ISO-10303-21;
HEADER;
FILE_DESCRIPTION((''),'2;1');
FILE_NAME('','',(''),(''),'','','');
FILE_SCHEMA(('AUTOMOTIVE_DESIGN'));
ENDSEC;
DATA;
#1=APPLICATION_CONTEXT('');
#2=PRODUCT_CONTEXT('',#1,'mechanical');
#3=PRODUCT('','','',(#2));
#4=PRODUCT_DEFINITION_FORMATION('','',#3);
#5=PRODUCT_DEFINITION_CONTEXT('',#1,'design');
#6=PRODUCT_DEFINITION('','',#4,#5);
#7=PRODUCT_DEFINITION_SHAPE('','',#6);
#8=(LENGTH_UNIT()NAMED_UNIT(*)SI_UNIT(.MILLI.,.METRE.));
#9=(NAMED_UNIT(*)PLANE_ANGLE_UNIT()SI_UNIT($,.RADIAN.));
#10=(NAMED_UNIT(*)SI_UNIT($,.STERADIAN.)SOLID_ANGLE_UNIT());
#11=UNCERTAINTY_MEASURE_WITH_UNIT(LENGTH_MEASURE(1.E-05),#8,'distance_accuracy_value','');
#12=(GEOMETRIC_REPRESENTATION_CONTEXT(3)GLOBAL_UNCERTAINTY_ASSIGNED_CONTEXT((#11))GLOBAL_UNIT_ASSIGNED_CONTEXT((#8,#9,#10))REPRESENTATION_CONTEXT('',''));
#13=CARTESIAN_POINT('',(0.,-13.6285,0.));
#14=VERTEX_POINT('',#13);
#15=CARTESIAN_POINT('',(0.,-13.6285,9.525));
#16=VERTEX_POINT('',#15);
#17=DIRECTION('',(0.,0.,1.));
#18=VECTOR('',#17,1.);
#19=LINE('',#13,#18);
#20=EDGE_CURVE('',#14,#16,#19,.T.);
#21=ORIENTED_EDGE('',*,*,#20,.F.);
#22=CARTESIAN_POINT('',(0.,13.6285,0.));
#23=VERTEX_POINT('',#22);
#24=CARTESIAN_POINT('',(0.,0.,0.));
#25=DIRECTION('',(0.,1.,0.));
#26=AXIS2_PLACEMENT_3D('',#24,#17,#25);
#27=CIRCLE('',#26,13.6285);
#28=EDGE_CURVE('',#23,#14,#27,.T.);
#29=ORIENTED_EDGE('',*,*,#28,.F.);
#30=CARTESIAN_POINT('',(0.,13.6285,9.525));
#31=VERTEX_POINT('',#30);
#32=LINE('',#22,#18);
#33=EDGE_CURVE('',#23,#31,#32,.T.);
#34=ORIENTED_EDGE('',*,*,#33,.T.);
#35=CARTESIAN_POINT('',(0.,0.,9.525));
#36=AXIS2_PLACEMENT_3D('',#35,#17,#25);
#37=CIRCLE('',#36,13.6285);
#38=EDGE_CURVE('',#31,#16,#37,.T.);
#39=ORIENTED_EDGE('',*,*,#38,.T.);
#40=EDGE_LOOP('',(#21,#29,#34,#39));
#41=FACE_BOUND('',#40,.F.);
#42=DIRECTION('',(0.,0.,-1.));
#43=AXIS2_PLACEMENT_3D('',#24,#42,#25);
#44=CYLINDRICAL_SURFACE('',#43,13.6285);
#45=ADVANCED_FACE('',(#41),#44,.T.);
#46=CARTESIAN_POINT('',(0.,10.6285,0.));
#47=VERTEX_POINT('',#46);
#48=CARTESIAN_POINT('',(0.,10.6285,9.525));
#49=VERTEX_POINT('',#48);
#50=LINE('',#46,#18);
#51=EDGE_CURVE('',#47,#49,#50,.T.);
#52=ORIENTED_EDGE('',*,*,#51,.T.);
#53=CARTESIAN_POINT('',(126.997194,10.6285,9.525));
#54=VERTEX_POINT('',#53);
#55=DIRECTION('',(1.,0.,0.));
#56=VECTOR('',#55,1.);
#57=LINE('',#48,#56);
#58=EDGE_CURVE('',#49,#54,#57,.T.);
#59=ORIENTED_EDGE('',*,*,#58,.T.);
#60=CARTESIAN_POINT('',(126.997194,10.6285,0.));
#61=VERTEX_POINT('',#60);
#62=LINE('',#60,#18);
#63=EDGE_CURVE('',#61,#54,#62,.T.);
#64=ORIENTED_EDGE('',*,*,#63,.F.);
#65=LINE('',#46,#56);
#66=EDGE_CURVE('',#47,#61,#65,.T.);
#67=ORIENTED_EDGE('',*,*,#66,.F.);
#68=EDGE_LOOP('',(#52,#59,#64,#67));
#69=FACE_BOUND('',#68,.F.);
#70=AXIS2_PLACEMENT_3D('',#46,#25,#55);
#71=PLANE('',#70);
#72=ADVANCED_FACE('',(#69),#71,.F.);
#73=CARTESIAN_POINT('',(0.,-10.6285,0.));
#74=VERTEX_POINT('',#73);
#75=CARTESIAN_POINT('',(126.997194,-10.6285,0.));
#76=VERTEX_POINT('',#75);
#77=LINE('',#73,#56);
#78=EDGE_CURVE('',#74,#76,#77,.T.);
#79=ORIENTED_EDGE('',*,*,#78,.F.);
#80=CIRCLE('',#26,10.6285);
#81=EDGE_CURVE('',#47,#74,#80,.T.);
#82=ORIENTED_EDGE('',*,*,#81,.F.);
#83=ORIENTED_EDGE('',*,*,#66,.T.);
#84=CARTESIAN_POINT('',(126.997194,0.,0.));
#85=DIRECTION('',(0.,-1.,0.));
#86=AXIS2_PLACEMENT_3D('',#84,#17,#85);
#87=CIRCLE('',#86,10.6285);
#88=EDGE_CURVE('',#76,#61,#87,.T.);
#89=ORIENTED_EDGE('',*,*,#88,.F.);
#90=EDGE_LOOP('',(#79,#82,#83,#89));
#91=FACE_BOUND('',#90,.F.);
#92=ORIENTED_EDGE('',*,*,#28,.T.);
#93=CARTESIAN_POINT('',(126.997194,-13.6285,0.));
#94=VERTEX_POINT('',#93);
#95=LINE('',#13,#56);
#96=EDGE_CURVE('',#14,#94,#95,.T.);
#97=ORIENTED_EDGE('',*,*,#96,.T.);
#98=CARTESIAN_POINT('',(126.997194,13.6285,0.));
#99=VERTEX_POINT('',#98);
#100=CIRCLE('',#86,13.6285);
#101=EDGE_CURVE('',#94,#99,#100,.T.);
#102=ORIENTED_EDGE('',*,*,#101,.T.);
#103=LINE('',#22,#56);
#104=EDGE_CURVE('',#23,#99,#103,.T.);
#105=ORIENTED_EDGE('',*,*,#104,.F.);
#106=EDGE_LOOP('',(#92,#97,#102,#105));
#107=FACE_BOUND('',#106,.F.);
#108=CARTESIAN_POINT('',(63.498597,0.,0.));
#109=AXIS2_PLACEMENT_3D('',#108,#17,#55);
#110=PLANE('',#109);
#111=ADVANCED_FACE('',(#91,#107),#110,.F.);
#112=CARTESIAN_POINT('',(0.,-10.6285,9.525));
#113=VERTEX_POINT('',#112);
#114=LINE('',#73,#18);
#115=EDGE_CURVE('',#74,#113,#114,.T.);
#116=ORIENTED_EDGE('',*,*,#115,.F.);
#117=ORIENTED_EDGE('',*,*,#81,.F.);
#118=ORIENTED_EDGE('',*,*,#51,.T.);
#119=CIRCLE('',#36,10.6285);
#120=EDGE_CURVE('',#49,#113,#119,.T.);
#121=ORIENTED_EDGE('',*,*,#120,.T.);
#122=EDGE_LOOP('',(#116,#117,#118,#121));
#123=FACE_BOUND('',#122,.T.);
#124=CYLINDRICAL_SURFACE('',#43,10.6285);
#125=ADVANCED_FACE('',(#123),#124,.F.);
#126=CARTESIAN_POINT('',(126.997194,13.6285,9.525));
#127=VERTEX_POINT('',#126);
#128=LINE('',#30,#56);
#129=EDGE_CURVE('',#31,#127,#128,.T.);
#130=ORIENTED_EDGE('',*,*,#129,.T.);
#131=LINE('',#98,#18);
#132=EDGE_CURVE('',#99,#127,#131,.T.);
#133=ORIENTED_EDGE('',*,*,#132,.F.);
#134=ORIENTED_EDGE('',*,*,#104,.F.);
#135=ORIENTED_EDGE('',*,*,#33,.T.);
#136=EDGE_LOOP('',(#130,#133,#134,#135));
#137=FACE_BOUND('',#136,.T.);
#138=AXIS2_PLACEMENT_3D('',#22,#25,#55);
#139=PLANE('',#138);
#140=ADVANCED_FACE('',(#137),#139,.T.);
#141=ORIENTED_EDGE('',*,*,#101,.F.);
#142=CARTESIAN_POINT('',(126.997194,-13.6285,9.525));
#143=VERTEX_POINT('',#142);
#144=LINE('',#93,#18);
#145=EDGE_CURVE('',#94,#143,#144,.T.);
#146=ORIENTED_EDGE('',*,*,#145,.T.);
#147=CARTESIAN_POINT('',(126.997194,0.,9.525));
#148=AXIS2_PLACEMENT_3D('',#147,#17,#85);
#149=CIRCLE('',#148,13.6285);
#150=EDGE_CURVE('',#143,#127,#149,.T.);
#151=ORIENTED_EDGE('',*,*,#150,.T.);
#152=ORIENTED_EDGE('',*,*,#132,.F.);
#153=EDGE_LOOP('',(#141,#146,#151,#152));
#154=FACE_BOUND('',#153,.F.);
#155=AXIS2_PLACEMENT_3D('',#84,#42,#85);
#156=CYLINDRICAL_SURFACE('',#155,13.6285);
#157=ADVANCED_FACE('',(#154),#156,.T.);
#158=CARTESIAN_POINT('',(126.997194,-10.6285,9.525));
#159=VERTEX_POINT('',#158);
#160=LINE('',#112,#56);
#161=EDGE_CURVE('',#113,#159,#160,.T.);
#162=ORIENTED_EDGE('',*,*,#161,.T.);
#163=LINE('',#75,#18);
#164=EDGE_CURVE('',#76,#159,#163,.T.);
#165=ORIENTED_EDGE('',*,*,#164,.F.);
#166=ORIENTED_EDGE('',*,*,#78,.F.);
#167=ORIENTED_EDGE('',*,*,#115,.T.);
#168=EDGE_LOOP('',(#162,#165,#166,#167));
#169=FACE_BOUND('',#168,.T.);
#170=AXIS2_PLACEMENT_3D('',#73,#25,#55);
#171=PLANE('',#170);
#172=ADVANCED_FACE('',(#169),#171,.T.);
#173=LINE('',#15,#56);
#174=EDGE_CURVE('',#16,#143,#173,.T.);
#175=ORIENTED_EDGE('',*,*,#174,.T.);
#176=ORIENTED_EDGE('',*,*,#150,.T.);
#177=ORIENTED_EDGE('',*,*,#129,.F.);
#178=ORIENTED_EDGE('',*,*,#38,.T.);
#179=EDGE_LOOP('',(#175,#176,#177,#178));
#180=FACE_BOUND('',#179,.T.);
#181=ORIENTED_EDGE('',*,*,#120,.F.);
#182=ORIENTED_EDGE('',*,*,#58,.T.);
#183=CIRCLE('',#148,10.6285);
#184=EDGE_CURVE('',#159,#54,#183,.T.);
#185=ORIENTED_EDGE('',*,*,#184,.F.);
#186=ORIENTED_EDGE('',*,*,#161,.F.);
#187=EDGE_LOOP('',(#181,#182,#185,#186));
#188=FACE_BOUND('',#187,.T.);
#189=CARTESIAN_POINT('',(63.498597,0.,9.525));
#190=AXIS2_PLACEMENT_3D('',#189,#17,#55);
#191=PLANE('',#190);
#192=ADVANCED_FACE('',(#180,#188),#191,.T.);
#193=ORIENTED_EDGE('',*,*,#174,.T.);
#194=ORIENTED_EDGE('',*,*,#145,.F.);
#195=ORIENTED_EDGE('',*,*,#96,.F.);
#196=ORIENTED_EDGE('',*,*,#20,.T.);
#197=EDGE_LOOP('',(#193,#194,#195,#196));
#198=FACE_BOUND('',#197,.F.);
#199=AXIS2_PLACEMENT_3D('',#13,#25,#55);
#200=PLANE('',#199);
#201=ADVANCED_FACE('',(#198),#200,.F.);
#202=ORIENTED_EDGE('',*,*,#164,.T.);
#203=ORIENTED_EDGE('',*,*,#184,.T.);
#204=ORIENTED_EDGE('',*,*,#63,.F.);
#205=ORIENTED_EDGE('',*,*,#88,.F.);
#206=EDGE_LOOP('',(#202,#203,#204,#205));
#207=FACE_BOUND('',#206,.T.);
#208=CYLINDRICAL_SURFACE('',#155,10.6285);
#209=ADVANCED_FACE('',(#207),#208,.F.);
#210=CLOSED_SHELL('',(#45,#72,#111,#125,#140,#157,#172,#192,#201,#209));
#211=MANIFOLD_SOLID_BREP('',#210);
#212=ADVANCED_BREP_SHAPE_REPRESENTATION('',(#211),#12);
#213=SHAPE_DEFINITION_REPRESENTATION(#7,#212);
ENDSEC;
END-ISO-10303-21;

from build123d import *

# Parameters (mm, degrees)
PAD_DEPTH = 9.525


with BuildPart() as part:
    # Sketch → Pad (new body)
    with BuildSketch(Plane.XY):
        with BuildLine():
            ThreePointArc((0, 13.6285), (-13.6285, 0), (0, -13.6285))
            Line((0, -13.6285), (126.997194, -13.6285))
            ThreePointArc((126.997194, -13.6285), (140.625694, 0), (126.997194, 13.6285))
            Line((0, 13.6285), (126.997194, 13.6285))
        make_face()
        with BuildLine():
            ThreePointArc((0, 10.6285), (-10.6285, 0), (0, -10.6285))
            Line((0, -10.6285), (126.997194, -10.6285))
            ThreePointArc((126.997194, -10.6285), (137.625694, 0), (126.997194, 10.6285))
            Line((0, 10.6285), (126.997194, 10.6285))
        make_face(mode=Mode.SUBTRACT)
    extrude(amount=PAD_DEPTH)


solid = part.part
